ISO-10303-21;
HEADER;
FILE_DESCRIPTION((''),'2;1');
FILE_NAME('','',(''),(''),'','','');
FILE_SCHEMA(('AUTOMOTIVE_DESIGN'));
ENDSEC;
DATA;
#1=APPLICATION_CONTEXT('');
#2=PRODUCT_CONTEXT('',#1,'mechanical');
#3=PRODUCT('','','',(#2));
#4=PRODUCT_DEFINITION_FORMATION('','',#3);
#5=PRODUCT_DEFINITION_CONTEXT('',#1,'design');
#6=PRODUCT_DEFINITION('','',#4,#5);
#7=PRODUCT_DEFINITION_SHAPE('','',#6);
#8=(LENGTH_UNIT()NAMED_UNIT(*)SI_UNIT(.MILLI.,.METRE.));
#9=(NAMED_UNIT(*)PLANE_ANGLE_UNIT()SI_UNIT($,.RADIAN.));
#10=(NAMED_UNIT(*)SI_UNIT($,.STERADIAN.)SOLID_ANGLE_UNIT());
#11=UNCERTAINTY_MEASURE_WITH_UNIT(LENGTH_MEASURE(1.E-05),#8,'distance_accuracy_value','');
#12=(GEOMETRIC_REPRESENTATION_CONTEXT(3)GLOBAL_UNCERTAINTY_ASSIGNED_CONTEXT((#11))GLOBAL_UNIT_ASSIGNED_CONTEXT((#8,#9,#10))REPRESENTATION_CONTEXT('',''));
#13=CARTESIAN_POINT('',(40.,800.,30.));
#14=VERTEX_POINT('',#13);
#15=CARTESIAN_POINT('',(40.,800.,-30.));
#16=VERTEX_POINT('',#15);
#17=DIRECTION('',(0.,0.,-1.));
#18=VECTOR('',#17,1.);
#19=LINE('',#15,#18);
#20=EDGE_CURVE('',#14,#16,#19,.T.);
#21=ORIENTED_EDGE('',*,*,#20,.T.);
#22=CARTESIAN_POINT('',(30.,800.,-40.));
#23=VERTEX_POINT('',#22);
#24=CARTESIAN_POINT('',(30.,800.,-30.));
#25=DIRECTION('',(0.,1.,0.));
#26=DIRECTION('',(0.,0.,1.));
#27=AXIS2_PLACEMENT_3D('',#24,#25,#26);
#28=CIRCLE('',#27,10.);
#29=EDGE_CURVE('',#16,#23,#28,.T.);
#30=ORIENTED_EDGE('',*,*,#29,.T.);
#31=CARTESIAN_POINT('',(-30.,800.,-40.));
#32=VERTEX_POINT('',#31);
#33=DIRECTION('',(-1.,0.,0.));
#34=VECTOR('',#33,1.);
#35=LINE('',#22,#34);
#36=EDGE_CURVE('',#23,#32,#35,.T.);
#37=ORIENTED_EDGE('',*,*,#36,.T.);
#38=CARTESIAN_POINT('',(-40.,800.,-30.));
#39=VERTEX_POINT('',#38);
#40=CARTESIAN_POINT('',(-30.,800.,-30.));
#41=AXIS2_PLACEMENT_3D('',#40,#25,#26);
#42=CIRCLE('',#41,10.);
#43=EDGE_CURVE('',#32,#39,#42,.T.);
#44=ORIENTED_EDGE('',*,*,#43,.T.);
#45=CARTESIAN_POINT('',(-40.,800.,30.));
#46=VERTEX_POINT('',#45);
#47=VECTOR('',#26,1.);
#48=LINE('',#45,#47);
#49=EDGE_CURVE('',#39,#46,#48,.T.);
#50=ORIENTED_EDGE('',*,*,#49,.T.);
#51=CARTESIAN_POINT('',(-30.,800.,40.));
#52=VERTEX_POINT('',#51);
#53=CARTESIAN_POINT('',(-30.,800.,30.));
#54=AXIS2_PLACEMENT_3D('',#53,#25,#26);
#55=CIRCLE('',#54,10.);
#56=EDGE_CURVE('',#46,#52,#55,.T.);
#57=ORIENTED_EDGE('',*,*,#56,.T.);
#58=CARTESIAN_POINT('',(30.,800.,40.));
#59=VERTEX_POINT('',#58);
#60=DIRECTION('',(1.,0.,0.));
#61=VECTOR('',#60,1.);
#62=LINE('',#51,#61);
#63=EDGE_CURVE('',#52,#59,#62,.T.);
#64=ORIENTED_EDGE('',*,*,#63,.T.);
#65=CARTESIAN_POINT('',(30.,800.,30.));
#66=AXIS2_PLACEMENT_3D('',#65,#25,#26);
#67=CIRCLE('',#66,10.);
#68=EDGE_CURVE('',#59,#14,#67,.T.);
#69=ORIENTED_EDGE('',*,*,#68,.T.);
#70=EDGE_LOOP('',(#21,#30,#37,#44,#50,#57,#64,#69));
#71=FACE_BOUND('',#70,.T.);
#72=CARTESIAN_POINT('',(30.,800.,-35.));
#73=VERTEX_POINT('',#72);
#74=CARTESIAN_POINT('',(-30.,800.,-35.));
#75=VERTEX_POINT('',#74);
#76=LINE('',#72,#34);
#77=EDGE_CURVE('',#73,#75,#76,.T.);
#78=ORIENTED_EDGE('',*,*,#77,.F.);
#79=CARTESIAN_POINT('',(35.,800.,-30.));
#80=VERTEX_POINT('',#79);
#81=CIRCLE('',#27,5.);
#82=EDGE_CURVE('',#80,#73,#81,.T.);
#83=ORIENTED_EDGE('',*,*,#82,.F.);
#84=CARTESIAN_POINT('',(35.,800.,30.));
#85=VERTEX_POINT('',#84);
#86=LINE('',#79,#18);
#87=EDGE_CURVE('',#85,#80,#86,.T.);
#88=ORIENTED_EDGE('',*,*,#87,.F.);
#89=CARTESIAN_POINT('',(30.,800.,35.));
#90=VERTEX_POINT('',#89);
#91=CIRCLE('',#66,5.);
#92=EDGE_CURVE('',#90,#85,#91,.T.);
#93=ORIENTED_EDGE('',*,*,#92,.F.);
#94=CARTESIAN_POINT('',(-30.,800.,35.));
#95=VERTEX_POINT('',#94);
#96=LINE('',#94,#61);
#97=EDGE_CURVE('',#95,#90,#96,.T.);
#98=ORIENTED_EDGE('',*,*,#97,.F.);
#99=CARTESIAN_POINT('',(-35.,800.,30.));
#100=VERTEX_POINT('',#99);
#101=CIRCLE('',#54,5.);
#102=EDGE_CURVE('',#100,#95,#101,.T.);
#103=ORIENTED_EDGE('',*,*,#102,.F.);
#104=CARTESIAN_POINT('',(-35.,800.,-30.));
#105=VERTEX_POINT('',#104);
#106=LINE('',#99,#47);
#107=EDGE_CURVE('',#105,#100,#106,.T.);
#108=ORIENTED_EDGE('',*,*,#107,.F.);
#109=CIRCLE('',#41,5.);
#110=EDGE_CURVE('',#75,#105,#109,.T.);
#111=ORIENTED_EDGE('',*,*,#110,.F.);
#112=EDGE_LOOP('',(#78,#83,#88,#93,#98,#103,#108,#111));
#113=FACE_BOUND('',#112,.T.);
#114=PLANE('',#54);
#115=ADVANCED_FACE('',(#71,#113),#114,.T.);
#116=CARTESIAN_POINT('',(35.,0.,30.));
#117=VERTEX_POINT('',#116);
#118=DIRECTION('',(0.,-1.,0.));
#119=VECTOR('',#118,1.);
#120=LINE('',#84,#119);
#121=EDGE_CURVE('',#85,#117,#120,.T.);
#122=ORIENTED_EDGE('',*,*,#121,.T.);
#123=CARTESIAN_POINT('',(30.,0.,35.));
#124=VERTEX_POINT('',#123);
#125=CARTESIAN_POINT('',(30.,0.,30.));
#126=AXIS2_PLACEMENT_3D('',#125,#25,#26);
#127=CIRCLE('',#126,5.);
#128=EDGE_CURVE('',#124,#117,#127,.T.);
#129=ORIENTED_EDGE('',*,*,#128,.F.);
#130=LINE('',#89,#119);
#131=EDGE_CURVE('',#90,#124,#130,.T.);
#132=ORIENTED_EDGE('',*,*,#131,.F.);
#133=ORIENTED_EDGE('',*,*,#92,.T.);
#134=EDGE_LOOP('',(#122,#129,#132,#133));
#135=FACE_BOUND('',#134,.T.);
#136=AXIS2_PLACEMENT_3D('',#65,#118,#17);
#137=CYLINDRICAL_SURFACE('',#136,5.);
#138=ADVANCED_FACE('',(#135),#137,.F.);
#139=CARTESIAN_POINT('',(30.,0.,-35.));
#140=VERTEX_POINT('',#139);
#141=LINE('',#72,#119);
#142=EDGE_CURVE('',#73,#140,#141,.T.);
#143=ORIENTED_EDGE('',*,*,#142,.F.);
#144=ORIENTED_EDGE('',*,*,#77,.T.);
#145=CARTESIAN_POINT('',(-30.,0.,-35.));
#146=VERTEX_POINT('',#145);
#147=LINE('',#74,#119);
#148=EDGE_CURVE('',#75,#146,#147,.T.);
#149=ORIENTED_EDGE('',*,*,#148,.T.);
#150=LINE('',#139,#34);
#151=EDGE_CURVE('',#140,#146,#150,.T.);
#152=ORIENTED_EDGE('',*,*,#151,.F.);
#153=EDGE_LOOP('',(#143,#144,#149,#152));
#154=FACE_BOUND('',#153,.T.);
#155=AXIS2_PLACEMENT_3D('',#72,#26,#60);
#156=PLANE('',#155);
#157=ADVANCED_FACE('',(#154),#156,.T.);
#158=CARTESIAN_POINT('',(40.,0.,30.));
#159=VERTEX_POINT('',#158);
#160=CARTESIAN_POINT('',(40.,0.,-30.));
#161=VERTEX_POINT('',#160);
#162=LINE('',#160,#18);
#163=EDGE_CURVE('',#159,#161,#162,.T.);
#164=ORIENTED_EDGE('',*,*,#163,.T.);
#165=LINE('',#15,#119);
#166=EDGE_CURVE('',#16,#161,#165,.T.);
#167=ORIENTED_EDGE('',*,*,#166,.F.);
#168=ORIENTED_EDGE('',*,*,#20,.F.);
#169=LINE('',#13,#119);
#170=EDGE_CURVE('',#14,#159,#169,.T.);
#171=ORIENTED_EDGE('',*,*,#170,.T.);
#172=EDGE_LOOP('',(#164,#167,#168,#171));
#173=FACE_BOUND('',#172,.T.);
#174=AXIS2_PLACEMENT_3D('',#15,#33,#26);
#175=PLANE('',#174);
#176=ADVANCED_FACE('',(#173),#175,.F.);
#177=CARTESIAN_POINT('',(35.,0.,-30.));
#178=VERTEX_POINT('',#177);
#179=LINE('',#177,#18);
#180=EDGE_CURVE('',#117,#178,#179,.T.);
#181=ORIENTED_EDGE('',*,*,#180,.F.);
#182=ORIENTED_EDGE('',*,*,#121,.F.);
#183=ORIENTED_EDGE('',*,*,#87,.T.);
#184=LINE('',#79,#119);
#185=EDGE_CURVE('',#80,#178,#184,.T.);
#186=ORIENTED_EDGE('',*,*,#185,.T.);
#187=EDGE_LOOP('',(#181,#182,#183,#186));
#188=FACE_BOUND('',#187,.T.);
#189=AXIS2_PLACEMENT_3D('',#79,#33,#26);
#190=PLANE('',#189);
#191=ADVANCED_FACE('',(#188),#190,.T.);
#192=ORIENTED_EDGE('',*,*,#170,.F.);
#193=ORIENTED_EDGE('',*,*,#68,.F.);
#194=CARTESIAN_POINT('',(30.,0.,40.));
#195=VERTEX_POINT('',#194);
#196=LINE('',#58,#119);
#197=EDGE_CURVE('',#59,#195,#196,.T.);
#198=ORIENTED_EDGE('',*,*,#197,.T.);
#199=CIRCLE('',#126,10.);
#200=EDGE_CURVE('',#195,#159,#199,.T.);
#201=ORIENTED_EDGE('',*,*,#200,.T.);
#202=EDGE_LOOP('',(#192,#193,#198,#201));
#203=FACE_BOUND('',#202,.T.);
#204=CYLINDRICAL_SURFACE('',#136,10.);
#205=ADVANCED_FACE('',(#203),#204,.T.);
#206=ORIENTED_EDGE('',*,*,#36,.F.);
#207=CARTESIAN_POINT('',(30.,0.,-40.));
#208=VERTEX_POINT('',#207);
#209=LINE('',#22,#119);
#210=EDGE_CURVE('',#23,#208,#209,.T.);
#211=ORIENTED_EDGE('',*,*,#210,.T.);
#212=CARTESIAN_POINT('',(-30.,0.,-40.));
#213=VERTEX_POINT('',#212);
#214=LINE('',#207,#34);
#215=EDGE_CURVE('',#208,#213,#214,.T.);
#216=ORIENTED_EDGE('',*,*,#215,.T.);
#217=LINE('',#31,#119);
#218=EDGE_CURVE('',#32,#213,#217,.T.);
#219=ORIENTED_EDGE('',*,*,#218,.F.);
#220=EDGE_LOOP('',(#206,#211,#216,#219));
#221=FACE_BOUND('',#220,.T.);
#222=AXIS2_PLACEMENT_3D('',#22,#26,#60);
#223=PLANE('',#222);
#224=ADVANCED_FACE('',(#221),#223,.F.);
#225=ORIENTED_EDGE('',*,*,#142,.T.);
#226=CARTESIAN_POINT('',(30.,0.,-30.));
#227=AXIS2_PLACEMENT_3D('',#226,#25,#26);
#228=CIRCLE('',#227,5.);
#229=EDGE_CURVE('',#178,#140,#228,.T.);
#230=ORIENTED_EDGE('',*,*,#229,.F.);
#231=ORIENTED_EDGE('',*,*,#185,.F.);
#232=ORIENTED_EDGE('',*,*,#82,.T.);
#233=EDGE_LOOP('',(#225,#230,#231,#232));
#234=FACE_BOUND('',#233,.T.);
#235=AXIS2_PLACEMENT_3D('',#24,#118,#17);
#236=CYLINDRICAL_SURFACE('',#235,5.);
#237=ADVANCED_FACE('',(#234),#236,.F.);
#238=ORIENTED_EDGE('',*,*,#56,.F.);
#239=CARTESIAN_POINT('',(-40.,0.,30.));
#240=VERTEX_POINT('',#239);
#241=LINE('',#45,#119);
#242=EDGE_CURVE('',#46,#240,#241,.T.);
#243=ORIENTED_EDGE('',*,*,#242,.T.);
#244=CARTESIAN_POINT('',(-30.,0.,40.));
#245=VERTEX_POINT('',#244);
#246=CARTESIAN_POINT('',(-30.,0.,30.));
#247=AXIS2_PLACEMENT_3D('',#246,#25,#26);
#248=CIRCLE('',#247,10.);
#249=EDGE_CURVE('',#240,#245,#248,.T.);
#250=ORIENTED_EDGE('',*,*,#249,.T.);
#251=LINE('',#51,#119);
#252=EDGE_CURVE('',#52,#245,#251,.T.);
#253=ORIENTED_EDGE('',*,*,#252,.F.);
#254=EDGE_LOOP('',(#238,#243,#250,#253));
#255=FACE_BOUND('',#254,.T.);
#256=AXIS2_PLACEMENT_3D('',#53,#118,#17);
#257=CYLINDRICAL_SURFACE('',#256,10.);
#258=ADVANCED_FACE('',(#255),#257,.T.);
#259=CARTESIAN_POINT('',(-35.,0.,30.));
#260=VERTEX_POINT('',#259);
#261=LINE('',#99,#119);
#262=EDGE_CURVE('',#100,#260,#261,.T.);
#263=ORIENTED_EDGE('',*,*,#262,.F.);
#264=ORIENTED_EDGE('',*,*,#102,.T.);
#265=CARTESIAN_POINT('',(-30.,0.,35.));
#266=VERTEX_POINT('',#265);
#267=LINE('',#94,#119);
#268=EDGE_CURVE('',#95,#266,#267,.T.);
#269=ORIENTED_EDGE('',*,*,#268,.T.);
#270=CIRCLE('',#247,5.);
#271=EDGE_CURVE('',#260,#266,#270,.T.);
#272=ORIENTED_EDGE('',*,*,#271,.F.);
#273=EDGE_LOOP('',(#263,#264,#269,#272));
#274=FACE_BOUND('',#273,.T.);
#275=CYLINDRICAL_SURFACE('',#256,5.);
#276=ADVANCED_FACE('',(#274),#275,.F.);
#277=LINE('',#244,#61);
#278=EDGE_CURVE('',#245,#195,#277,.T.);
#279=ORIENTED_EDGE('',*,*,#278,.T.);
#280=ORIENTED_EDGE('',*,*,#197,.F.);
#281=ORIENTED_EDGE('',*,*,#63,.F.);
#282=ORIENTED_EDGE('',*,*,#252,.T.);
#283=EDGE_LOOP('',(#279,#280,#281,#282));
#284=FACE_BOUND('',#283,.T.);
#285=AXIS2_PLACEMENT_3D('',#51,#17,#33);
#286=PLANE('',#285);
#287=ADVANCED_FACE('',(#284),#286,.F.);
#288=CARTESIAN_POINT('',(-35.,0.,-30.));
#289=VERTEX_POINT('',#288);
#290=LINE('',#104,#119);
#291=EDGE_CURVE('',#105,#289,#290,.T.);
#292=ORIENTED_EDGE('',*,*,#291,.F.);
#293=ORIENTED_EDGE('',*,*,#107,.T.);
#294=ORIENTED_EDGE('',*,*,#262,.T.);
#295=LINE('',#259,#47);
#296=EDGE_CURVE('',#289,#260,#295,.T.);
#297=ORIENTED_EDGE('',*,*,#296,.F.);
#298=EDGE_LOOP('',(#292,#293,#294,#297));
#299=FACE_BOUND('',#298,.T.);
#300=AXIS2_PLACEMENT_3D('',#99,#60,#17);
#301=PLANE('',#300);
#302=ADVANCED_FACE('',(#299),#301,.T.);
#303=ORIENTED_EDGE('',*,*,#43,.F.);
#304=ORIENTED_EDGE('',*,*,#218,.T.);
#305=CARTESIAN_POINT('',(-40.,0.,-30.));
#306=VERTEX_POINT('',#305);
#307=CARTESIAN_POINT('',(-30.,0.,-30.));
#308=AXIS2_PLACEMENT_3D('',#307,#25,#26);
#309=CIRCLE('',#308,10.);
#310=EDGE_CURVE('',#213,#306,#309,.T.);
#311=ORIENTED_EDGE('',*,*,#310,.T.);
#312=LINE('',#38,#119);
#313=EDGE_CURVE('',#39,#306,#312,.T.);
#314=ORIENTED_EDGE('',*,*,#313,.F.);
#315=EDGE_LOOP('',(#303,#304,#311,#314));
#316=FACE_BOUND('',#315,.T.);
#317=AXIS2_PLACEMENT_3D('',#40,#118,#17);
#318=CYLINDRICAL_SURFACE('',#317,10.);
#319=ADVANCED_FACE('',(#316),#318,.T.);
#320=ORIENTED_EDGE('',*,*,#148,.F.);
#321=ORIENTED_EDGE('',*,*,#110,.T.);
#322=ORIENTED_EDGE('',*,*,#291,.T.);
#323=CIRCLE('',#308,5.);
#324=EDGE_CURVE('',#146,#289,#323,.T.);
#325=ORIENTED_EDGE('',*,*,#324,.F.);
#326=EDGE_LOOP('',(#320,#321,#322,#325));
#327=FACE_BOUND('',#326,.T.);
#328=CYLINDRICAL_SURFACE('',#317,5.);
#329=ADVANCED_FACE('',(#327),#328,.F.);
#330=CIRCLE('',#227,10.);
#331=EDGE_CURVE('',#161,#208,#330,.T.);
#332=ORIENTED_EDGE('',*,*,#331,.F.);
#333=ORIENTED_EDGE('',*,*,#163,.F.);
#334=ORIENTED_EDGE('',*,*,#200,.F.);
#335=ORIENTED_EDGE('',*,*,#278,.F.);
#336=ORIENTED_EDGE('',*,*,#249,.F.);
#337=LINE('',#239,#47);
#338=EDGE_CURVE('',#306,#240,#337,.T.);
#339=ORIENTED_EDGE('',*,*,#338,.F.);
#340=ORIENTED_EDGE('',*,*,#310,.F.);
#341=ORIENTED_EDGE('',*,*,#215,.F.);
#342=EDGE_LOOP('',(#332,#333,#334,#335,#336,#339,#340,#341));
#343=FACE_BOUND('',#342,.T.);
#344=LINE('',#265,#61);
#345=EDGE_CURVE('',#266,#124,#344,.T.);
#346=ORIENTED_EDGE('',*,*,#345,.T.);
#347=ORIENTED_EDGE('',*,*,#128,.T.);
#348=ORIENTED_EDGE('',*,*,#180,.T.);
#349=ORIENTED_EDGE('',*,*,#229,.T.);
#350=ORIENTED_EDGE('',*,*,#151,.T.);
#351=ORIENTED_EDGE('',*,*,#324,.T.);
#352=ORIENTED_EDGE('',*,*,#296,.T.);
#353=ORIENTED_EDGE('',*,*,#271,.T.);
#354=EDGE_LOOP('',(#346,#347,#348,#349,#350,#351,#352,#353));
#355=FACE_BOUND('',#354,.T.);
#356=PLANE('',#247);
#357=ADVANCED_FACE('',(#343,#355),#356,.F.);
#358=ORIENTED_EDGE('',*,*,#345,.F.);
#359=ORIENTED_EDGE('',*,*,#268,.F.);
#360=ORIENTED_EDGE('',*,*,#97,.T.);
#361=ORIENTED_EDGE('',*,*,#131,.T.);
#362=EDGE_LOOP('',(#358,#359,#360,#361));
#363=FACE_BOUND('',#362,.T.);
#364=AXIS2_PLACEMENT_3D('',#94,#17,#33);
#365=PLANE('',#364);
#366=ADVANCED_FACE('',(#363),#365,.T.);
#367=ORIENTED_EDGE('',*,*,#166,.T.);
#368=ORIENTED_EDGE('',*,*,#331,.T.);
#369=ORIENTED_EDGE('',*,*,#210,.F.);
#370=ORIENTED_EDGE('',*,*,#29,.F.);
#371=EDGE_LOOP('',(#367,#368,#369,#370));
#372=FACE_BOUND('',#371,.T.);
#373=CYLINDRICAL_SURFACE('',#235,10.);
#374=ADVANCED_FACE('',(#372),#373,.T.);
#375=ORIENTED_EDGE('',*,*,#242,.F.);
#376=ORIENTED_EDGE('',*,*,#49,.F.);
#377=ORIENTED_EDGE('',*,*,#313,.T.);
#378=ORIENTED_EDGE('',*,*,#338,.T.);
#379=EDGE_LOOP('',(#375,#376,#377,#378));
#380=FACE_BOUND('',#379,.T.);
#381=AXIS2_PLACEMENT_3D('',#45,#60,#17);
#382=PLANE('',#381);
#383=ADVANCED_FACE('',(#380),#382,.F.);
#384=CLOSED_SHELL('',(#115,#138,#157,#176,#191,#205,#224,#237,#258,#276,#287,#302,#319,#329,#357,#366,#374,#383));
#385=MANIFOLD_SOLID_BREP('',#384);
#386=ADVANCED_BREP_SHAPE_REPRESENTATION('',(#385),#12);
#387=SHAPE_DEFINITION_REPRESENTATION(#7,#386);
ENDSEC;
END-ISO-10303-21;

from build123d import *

# Parameters (mm, degrees)
KARE_T_P_80_X_80_X_5_1_DEPTH = 800


with BuildPart() as part:
    # Sketch12 → Kare tüp 80 X 80 X 5(1) (new body)
    with BuildSketch(Plane(origin=(0, 0, 0), x_dir=(-1, 0, 0), z_dir=(0, 1, 0))):
        with BuildLine():
            Line((-30, -40), (30, -40))
            ThreePointArc((30, -40), (37.071067812, -37.071067812), (40, -30))
            Line((40, -30), (40, 30))
            ThreePointArc((40, 30), (37.071067812, 37.071067812), (30, 40))
            Line((30, 40), (-30, 40))
            ThreePointArc((-30, 40), (-37.071067812, 37.071067812), (-40, 30))
            Line((-40, 30), (-40, -30))
            ThreePointArc((-40, -30), (-37.071067812, -37.071067812), (-30, -40))
        make_face()
        with BuildLine():
            Line((-30, -35), (30, -35))
            ThreePointArc((30, -35), (33.535533906, -33.535533906), (35, -30))
            Line((35, -30), (35, 30))
            ThreePointArc((35, 30), (33.535533906, 33.535533906), (30, 35))
            Line((30, 35), (-30, 35))
            ThreePointArc((-30, 35), (-33.535533906, 33.535533906), (-35, 30))
            Line((-35, 30), (-35, -30))
            ThreePointArc((-35, -30), (-33.535533906, -33.535533906), (-30, -35))
        make_face(mode=Mode.SUBTRACT)
    extrude(amount=KARE_T_P_80_X_80_X_5_1_DEPTH)


solid = part.part
